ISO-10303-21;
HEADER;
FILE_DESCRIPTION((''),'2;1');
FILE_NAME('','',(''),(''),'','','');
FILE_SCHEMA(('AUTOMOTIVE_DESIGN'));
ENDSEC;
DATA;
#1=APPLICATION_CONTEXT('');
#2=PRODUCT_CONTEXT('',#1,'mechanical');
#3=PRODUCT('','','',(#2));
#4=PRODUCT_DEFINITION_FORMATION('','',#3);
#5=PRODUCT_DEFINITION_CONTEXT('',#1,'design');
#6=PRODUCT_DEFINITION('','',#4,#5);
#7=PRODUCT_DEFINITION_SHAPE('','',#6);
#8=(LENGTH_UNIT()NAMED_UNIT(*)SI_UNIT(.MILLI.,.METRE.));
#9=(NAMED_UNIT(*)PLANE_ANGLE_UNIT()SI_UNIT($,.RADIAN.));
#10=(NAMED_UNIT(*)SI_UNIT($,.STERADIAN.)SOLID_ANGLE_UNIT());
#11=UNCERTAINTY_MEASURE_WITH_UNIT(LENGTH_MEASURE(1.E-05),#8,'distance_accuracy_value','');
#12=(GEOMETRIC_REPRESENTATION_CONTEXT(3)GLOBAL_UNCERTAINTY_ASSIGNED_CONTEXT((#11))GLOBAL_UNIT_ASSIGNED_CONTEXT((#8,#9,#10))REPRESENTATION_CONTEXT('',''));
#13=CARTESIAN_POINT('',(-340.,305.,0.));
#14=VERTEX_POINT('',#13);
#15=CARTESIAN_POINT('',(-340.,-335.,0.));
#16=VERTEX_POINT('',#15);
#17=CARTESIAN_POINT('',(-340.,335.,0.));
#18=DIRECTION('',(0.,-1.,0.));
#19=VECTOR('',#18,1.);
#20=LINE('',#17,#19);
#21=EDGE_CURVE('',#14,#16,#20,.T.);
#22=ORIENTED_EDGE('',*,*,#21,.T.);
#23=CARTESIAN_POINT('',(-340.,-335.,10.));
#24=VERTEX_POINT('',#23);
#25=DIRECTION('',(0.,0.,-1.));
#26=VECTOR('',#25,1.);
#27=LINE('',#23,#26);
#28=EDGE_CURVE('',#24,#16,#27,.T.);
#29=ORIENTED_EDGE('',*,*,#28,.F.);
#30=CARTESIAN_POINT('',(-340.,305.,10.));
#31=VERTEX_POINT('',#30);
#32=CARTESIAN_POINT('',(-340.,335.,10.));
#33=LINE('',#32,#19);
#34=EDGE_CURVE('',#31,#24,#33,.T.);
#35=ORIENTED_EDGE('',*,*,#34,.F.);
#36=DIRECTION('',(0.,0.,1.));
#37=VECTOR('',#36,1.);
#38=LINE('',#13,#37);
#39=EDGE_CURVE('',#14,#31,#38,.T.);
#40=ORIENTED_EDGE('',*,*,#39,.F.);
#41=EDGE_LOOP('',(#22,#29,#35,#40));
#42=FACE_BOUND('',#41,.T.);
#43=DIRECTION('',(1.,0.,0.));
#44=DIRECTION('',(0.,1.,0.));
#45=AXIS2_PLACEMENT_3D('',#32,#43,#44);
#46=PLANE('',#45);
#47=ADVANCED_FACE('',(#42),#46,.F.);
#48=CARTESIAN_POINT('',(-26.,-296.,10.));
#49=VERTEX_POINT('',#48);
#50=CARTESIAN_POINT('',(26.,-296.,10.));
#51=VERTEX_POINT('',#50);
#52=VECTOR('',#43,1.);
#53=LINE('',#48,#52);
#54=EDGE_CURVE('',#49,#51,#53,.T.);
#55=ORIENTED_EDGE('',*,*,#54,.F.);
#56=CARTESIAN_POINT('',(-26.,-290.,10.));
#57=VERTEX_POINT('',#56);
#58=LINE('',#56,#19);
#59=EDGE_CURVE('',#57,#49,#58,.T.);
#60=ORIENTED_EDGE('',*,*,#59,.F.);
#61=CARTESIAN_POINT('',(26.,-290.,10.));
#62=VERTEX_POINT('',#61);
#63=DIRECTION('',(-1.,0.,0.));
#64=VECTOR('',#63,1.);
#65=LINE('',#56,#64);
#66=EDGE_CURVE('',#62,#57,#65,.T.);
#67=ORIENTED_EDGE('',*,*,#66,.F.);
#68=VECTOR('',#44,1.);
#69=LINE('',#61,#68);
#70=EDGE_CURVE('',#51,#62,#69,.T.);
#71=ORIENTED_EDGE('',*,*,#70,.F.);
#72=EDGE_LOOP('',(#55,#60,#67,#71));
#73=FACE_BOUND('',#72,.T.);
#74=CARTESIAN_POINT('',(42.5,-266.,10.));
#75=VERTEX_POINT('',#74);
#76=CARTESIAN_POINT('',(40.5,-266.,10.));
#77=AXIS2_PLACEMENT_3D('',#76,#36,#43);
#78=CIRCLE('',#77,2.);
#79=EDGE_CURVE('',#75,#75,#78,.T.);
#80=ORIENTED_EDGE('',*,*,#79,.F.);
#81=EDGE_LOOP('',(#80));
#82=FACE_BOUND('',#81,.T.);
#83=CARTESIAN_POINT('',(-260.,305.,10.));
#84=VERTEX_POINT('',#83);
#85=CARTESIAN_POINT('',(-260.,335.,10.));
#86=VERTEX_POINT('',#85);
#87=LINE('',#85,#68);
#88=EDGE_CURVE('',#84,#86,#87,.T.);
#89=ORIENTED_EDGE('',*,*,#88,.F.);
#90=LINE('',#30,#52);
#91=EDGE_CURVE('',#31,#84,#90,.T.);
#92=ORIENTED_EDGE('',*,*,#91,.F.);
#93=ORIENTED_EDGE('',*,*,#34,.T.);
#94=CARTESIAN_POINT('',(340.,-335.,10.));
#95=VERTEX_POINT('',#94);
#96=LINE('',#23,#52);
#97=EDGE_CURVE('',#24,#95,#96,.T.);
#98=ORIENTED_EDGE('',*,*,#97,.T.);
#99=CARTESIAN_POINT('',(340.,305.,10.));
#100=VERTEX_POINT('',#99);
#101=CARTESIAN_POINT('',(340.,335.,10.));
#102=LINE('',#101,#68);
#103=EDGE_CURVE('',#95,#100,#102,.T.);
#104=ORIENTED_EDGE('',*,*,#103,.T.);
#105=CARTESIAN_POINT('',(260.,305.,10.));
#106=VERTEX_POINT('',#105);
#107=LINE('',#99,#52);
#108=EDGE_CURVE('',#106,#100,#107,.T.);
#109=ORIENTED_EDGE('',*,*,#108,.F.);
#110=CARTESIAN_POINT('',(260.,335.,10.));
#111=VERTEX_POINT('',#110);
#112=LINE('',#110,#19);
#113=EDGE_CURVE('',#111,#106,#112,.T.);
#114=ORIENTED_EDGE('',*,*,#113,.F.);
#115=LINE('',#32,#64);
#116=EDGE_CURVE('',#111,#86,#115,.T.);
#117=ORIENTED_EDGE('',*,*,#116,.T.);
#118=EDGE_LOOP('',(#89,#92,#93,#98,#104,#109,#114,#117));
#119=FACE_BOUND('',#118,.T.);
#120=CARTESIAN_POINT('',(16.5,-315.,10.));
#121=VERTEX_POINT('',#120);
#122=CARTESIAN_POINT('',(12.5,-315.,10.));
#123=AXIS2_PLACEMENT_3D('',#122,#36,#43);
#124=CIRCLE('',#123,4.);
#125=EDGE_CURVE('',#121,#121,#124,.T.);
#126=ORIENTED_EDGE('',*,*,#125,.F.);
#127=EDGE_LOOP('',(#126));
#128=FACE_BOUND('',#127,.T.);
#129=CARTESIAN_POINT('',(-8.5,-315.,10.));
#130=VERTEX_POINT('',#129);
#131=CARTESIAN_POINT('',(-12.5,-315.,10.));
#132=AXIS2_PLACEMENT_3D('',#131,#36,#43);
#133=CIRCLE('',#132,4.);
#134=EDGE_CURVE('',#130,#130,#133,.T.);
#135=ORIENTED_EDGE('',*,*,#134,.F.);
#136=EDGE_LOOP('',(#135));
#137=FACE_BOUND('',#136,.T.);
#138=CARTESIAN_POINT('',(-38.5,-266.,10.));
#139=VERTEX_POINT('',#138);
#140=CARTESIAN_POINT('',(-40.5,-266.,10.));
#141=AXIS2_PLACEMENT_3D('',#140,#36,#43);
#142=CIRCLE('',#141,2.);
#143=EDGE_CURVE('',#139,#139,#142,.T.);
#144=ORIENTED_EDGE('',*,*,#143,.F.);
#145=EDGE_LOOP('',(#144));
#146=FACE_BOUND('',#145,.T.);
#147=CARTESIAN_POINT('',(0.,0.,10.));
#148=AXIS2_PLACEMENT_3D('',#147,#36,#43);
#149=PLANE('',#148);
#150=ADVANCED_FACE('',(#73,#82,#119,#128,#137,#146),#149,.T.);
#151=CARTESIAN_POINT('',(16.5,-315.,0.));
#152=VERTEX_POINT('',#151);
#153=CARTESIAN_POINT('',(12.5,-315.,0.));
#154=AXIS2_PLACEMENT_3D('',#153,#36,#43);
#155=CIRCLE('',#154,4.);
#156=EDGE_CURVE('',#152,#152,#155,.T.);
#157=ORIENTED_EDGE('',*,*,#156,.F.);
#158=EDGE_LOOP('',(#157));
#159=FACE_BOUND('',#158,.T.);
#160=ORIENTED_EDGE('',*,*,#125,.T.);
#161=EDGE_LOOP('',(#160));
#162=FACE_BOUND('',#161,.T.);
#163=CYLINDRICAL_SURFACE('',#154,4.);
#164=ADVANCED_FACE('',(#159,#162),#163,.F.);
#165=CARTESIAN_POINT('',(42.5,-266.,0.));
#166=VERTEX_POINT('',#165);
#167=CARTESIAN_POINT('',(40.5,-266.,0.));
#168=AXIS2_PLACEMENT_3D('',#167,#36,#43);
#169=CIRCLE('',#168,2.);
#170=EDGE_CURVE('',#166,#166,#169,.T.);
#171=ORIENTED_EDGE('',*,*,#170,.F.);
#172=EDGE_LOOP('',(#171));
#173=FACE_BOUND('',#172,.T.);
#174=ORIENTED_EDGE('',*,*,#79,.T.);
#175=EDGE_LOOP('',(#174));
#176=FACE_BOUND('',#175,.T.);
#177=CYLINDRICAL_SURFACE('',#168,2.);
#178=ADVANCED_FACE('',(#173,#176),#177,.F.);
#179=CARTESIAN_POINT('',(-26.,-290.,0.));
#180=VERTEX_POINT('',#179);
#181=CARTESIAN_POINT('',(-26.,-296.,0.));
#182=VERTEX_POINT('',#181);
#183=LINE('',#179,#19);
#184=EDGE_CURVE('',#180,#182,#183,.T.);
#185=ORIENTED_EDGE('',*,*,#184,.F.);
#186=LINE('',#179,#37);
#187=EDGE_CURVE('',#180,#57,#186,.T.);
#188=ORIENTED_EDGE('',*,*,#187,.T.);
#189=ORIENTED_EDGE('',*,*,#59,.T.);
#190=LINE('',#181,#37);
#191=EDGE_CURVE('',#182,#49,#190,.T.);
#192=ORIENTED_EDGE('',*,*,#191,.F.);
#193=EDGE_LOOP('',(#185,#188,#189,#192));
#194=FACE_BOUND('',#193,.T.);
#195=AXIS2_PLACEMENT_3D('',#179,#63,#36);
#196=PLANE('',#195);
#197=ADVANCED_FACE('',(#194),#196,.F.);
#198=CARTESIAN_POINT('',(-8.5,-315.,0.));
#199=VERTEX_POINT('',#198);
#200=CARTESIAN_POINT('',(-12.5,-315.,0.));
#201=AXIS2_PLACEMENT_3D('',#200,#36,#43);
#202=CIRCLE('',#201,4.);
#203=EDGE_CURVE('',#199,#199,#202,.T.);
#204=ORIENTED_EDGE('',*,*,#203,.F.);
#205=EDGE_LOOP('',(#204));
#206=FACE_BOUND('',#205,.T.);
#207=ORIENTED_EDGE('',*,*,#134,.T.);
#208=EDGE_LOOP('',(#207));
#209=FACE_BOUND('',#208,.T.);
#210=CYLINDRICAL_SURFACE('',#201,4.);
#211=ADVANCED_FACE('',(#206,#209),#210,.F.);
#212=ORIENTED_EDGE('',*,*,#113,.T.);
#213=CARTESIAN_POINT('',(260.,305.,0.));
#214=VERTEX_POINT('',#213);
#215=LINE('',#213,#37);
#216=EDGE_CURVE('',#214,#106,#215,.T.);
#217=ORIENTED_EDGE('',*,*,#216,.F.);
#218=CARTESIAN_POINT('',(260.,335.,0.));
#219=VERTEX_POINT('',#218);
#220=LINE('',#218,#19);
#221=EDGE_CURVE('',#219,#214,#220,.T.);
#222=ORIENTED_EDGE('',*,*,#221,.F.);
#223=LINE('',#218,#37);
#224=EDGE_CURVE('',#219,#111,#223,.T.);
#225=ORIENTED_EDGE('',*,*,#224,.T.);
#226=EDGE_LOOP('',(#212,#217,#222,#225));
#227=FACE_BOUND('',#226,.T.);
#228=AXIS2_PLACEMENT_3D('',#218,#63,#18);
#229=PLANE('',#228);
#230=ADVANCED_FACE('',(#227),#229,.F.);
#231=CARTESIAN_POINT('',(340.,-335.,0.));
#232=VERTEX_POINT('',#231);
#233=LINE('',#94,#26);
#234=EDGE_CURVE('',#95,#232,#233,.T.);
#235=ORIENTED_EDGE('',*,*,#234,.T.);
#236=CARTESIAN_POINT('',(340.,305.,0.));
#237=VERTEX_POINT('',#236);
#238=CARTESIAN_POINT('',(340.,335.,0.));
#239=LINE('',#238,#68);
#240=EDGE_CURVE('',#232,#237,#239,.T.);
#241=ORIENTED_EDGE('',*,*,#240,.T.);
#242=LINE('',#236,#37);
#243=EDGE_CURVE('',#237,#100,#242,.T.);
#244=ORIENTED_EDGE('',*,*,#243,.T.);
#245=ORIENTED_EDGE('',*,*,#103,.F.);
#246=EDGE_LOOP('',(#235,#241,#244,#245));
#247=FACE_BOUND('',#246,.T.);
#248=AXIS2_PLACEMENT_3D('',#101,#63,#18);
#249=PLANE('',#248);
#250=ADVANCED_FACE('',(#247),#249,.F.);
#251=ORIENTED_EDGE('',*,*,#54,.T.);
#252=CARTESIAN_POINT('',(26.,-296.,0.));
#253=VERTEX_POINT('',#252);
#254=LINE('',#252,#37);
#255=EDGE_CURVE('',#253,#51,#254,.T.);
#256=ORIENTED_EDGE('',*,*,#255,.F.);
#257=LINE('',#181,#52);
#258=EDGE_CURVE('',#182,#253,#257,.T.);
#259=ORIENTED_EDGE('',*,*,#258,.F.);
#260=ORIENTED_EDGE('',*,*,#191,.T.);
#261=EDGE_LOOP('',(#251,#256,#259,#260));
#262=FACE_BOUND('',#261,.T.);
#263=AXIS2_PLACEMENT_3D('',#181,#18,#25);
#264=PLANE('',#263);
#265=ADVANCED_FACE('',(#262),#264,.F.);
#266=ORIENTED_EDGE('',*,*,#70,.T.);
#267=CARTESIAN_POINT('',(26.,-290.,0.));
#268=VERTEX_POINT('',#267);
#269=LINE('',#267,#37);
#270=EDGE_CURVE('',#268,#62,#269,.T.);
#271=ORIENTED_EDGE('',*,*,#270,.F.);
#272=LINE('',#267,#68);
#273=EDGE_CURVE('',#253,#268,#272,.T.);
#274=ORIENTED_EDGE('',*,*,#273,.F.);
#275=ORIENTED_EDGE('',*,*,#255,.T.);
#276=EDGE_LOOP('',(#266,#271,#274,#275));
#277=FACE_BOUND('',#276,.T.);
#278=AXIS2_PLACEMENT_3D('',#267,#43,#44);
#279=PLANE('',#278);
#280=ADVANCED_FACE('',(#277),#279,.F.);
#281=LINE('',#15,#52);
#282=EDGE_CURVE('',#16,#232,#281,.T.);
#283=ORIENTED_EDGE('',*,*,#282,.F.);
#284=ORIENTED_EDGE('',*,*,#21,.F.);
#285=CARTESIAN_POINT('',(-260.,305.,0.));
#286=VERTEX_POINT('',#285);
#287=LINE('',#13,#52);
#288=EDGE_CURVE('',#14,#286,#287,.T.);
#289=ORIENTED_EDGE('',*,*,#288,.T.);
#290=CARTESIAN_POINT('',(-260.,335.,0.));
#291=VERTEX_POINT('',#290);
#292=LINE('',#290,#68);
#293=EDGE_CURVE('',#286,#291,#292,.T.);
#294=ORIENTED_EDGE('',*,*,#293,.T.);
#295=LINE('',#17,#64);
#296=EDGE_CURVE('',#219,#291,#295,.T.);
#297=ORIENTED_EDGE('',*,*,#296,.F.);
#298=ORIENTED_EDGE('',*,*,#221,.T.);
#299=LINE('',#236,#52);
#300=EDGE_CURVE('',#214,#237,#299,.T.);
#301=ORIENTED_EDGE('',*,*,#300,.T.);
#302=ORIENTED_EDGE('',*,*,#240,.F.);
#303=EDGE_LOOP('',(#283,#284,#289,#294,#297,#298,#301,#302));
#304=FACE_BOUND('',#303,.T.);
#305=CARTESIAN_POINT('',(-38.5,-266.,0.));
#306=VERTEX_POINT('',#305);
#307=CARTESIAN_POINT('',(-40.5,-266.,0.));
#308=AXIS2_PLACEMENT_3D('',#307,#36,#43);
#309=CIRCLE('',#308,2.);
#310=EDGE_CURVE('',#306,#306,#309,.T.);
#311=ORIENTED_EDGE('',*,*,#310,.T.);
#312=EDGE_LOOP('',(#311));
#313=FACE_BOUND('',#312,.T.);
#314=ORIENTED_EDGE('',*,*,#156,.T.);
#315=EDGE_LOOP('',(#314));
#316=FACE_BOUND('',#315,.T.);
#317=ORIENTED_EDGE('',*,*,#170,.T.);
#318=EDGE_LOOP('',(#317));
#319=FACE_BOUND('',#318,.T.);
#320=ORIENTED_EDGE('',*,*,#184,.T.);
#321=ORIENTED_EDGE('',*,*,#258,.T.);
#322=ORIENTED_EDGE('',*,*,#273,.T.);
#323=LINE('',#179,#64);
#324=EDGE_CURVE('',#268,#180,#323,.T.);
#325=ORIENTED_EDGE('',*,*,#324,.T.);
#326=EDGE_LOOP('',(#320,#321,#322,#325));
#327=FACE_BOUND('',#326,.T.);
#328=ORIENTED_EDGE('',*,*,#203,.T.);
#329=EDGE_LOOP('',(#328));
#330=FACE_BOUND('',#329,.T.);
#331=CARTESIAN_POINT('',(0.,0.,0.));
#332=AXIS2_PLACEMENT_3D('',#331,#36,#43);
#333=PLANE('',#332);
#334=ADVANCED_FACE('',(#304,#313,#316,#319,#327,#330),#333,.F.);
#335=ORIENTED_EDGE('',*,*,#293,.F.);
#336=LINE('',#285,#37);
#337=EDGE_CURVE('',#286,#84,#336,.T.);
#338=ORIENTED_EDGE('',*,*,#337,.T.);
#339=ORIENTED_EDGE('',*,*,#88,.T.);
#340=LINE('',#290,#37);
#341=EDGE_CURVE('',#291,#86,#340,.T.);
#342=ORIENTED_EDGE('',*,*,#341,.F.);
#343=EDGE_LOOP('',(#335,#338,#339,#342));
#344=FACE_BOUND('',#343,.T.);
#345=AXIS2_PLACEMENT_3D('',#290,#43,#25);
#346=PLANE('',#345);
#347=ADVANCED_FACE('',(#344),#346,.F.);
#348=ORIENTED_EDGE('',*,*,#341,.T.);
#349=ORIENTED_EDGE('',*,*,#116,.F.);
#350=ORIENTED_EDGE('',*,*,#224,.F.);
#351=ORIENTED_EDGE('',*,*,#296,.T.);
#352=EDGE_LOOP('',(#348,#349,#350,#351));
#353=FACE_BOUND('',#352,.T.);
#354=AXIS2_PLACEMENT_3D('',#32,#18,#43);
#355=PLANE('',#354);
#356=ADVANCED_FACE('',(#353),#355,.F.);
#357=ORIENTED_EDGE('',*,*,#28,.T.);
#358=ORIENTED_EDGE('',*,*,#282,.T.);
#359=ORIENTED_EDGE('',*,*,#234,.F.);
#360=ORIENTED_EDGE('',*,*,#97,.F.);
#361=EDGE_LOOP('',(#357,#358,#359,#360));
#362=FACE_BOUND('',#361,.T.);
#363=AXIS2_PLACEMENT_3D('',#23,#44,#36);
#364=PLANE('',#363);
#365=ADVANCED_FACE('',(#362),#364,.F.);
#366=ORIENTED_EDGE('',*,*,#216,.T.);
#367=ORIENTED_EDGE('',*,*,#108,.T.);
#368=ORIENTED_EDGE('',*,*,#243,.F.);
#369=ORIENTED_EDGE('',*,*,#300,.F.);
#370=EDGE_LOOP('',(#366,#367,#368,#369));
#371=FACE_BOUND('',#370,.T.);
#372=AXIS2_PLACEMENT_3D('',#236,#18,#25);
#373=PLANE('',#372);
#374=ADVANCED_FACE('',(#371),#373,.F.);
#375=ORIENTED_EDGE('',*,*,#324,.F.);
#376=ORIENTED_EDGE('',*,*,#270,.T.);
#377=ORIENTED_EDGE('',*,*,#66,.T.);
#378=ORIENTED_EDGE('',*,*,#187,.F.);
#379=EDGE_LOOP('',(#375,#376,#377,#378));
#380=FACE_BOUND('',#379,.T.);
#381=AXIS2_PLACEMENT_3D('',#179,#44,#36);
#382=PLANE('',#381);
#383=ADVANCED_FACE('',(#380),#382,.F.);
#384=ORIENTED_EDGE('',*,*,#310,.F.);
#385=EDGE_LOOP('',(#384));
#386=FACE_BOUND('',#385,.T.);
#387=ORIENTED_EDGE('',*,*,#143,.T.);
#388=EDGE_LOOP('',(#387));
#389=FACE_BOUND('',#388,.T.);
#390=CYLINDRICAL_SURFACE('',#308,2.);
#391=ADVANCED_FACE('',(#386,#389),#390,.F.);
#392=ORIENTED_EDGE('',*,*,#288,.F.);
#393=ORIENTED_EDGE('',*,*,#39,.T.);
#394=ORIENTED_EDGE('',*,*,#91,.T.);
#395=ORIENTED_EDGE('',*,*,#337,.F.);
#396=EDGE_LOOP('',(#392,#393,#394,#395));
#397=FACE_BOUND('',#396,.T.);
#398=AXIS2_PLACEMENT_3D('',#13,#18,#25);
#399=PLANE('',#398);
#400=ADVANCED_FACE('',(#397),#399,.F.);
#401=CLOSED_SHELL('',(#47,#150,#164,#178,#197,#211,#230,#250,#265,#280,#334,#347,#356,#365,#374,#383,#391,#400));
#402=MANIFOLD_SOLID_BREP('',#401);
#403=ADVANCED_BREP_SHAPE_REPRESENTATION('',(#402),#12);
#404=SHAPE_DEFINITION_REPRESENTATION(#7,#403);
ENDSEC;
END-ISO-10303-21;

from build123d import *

# Parameters (mm, degrees)
ESQUISSE1_W             = 680
ESQUISSE1_H             = 670
BOSS_EXTRU_1_DEPTH      = 10
ESQUISSE2_W             = 80
ESQUISSE2_H             = 30
ENL_V_MAT_EXTRU_1_DEPTH = 11
ESQUISSE3_W             = 52
ESQUISSE3_H             = 6
ENL_V_MAT_EXTRU_2_DEPTH = 11
ESQUISSE4_R             = 4
ENL_V_MAT_EXTRU_3_DEPTH = 11
ESQUISSE5_R             = 2
ENL_V_MAT_EXTRU_4_DEPTH = 11


with BuildPart() as part:
    # Esquisse1 → Boss.-Extru.1 (new body)
    with BuildSketch(Plane.XY):
        Rectangle(ESQUISSE1_W, ESQUISSE1_H)
    extrude(amount=BOSS_EXTRU_1_DEPTH)

    # Esquisse2 → Enlèv. mat.-Extru.1 (cut, through all)
    with BuildSketch(Plane.XY.offset(10)):
        with Locations((-300, 320)):
            Rectangle(ESQUISSE2_W, ESQUISSE2_H)
        with Locations((300, 320)):
            Rectangle(ESQUISSE2_W, ESQUISSE2_H)
    extrude(amount=-ENL_V_MAT_EXTRU_1_DEPTH, mode=Mode.SUBTRACT)

    # Esquisse3 → Enlèv. mat.-Extru.2 (cut, through all)
    with BuildSketch(Plane.XY.offset(10)):
        with Locations((0, -293)):
            Rectangle(ESQUISSE3_W, ESQUISSE3_H)
    extrude(amount=-ENL_V_MAT_EXTRU_2_DEPTH, mode=Mode.SUBTRACT)

    # Esquisse4 → Enlèv. mat.-Extru.3 (cut, through all)
    with BuildSketch(Plane.XY.offset(10)):
        with Locations((-12.5, -315)):
            Circle(ESQUISSE4_R)
        with Locations((12.5, -315)):
            Circle(ESQUISSE4_R)
    extrude(amount=-ENL_V_MAT_EXTRU_3_DEPTH, mode=Mode.SUBTRACT)

    # Esquisse5 → Enlèv. mat.-Extru.4 (cut, through all)
    with BuildSketch(Plane.XY.offset(10)):
        with Locations((-40.5, -266)):
            Circle(ESQUISSE5_R)
        with Locations((40.5, -266)):
            Circle(ESQUISSE5_R)
    extrude(amount=-ENL_V_MAT_EXTRU_4_DEPTH, mode=Mode.SUBTRACT)


solid = part.part
